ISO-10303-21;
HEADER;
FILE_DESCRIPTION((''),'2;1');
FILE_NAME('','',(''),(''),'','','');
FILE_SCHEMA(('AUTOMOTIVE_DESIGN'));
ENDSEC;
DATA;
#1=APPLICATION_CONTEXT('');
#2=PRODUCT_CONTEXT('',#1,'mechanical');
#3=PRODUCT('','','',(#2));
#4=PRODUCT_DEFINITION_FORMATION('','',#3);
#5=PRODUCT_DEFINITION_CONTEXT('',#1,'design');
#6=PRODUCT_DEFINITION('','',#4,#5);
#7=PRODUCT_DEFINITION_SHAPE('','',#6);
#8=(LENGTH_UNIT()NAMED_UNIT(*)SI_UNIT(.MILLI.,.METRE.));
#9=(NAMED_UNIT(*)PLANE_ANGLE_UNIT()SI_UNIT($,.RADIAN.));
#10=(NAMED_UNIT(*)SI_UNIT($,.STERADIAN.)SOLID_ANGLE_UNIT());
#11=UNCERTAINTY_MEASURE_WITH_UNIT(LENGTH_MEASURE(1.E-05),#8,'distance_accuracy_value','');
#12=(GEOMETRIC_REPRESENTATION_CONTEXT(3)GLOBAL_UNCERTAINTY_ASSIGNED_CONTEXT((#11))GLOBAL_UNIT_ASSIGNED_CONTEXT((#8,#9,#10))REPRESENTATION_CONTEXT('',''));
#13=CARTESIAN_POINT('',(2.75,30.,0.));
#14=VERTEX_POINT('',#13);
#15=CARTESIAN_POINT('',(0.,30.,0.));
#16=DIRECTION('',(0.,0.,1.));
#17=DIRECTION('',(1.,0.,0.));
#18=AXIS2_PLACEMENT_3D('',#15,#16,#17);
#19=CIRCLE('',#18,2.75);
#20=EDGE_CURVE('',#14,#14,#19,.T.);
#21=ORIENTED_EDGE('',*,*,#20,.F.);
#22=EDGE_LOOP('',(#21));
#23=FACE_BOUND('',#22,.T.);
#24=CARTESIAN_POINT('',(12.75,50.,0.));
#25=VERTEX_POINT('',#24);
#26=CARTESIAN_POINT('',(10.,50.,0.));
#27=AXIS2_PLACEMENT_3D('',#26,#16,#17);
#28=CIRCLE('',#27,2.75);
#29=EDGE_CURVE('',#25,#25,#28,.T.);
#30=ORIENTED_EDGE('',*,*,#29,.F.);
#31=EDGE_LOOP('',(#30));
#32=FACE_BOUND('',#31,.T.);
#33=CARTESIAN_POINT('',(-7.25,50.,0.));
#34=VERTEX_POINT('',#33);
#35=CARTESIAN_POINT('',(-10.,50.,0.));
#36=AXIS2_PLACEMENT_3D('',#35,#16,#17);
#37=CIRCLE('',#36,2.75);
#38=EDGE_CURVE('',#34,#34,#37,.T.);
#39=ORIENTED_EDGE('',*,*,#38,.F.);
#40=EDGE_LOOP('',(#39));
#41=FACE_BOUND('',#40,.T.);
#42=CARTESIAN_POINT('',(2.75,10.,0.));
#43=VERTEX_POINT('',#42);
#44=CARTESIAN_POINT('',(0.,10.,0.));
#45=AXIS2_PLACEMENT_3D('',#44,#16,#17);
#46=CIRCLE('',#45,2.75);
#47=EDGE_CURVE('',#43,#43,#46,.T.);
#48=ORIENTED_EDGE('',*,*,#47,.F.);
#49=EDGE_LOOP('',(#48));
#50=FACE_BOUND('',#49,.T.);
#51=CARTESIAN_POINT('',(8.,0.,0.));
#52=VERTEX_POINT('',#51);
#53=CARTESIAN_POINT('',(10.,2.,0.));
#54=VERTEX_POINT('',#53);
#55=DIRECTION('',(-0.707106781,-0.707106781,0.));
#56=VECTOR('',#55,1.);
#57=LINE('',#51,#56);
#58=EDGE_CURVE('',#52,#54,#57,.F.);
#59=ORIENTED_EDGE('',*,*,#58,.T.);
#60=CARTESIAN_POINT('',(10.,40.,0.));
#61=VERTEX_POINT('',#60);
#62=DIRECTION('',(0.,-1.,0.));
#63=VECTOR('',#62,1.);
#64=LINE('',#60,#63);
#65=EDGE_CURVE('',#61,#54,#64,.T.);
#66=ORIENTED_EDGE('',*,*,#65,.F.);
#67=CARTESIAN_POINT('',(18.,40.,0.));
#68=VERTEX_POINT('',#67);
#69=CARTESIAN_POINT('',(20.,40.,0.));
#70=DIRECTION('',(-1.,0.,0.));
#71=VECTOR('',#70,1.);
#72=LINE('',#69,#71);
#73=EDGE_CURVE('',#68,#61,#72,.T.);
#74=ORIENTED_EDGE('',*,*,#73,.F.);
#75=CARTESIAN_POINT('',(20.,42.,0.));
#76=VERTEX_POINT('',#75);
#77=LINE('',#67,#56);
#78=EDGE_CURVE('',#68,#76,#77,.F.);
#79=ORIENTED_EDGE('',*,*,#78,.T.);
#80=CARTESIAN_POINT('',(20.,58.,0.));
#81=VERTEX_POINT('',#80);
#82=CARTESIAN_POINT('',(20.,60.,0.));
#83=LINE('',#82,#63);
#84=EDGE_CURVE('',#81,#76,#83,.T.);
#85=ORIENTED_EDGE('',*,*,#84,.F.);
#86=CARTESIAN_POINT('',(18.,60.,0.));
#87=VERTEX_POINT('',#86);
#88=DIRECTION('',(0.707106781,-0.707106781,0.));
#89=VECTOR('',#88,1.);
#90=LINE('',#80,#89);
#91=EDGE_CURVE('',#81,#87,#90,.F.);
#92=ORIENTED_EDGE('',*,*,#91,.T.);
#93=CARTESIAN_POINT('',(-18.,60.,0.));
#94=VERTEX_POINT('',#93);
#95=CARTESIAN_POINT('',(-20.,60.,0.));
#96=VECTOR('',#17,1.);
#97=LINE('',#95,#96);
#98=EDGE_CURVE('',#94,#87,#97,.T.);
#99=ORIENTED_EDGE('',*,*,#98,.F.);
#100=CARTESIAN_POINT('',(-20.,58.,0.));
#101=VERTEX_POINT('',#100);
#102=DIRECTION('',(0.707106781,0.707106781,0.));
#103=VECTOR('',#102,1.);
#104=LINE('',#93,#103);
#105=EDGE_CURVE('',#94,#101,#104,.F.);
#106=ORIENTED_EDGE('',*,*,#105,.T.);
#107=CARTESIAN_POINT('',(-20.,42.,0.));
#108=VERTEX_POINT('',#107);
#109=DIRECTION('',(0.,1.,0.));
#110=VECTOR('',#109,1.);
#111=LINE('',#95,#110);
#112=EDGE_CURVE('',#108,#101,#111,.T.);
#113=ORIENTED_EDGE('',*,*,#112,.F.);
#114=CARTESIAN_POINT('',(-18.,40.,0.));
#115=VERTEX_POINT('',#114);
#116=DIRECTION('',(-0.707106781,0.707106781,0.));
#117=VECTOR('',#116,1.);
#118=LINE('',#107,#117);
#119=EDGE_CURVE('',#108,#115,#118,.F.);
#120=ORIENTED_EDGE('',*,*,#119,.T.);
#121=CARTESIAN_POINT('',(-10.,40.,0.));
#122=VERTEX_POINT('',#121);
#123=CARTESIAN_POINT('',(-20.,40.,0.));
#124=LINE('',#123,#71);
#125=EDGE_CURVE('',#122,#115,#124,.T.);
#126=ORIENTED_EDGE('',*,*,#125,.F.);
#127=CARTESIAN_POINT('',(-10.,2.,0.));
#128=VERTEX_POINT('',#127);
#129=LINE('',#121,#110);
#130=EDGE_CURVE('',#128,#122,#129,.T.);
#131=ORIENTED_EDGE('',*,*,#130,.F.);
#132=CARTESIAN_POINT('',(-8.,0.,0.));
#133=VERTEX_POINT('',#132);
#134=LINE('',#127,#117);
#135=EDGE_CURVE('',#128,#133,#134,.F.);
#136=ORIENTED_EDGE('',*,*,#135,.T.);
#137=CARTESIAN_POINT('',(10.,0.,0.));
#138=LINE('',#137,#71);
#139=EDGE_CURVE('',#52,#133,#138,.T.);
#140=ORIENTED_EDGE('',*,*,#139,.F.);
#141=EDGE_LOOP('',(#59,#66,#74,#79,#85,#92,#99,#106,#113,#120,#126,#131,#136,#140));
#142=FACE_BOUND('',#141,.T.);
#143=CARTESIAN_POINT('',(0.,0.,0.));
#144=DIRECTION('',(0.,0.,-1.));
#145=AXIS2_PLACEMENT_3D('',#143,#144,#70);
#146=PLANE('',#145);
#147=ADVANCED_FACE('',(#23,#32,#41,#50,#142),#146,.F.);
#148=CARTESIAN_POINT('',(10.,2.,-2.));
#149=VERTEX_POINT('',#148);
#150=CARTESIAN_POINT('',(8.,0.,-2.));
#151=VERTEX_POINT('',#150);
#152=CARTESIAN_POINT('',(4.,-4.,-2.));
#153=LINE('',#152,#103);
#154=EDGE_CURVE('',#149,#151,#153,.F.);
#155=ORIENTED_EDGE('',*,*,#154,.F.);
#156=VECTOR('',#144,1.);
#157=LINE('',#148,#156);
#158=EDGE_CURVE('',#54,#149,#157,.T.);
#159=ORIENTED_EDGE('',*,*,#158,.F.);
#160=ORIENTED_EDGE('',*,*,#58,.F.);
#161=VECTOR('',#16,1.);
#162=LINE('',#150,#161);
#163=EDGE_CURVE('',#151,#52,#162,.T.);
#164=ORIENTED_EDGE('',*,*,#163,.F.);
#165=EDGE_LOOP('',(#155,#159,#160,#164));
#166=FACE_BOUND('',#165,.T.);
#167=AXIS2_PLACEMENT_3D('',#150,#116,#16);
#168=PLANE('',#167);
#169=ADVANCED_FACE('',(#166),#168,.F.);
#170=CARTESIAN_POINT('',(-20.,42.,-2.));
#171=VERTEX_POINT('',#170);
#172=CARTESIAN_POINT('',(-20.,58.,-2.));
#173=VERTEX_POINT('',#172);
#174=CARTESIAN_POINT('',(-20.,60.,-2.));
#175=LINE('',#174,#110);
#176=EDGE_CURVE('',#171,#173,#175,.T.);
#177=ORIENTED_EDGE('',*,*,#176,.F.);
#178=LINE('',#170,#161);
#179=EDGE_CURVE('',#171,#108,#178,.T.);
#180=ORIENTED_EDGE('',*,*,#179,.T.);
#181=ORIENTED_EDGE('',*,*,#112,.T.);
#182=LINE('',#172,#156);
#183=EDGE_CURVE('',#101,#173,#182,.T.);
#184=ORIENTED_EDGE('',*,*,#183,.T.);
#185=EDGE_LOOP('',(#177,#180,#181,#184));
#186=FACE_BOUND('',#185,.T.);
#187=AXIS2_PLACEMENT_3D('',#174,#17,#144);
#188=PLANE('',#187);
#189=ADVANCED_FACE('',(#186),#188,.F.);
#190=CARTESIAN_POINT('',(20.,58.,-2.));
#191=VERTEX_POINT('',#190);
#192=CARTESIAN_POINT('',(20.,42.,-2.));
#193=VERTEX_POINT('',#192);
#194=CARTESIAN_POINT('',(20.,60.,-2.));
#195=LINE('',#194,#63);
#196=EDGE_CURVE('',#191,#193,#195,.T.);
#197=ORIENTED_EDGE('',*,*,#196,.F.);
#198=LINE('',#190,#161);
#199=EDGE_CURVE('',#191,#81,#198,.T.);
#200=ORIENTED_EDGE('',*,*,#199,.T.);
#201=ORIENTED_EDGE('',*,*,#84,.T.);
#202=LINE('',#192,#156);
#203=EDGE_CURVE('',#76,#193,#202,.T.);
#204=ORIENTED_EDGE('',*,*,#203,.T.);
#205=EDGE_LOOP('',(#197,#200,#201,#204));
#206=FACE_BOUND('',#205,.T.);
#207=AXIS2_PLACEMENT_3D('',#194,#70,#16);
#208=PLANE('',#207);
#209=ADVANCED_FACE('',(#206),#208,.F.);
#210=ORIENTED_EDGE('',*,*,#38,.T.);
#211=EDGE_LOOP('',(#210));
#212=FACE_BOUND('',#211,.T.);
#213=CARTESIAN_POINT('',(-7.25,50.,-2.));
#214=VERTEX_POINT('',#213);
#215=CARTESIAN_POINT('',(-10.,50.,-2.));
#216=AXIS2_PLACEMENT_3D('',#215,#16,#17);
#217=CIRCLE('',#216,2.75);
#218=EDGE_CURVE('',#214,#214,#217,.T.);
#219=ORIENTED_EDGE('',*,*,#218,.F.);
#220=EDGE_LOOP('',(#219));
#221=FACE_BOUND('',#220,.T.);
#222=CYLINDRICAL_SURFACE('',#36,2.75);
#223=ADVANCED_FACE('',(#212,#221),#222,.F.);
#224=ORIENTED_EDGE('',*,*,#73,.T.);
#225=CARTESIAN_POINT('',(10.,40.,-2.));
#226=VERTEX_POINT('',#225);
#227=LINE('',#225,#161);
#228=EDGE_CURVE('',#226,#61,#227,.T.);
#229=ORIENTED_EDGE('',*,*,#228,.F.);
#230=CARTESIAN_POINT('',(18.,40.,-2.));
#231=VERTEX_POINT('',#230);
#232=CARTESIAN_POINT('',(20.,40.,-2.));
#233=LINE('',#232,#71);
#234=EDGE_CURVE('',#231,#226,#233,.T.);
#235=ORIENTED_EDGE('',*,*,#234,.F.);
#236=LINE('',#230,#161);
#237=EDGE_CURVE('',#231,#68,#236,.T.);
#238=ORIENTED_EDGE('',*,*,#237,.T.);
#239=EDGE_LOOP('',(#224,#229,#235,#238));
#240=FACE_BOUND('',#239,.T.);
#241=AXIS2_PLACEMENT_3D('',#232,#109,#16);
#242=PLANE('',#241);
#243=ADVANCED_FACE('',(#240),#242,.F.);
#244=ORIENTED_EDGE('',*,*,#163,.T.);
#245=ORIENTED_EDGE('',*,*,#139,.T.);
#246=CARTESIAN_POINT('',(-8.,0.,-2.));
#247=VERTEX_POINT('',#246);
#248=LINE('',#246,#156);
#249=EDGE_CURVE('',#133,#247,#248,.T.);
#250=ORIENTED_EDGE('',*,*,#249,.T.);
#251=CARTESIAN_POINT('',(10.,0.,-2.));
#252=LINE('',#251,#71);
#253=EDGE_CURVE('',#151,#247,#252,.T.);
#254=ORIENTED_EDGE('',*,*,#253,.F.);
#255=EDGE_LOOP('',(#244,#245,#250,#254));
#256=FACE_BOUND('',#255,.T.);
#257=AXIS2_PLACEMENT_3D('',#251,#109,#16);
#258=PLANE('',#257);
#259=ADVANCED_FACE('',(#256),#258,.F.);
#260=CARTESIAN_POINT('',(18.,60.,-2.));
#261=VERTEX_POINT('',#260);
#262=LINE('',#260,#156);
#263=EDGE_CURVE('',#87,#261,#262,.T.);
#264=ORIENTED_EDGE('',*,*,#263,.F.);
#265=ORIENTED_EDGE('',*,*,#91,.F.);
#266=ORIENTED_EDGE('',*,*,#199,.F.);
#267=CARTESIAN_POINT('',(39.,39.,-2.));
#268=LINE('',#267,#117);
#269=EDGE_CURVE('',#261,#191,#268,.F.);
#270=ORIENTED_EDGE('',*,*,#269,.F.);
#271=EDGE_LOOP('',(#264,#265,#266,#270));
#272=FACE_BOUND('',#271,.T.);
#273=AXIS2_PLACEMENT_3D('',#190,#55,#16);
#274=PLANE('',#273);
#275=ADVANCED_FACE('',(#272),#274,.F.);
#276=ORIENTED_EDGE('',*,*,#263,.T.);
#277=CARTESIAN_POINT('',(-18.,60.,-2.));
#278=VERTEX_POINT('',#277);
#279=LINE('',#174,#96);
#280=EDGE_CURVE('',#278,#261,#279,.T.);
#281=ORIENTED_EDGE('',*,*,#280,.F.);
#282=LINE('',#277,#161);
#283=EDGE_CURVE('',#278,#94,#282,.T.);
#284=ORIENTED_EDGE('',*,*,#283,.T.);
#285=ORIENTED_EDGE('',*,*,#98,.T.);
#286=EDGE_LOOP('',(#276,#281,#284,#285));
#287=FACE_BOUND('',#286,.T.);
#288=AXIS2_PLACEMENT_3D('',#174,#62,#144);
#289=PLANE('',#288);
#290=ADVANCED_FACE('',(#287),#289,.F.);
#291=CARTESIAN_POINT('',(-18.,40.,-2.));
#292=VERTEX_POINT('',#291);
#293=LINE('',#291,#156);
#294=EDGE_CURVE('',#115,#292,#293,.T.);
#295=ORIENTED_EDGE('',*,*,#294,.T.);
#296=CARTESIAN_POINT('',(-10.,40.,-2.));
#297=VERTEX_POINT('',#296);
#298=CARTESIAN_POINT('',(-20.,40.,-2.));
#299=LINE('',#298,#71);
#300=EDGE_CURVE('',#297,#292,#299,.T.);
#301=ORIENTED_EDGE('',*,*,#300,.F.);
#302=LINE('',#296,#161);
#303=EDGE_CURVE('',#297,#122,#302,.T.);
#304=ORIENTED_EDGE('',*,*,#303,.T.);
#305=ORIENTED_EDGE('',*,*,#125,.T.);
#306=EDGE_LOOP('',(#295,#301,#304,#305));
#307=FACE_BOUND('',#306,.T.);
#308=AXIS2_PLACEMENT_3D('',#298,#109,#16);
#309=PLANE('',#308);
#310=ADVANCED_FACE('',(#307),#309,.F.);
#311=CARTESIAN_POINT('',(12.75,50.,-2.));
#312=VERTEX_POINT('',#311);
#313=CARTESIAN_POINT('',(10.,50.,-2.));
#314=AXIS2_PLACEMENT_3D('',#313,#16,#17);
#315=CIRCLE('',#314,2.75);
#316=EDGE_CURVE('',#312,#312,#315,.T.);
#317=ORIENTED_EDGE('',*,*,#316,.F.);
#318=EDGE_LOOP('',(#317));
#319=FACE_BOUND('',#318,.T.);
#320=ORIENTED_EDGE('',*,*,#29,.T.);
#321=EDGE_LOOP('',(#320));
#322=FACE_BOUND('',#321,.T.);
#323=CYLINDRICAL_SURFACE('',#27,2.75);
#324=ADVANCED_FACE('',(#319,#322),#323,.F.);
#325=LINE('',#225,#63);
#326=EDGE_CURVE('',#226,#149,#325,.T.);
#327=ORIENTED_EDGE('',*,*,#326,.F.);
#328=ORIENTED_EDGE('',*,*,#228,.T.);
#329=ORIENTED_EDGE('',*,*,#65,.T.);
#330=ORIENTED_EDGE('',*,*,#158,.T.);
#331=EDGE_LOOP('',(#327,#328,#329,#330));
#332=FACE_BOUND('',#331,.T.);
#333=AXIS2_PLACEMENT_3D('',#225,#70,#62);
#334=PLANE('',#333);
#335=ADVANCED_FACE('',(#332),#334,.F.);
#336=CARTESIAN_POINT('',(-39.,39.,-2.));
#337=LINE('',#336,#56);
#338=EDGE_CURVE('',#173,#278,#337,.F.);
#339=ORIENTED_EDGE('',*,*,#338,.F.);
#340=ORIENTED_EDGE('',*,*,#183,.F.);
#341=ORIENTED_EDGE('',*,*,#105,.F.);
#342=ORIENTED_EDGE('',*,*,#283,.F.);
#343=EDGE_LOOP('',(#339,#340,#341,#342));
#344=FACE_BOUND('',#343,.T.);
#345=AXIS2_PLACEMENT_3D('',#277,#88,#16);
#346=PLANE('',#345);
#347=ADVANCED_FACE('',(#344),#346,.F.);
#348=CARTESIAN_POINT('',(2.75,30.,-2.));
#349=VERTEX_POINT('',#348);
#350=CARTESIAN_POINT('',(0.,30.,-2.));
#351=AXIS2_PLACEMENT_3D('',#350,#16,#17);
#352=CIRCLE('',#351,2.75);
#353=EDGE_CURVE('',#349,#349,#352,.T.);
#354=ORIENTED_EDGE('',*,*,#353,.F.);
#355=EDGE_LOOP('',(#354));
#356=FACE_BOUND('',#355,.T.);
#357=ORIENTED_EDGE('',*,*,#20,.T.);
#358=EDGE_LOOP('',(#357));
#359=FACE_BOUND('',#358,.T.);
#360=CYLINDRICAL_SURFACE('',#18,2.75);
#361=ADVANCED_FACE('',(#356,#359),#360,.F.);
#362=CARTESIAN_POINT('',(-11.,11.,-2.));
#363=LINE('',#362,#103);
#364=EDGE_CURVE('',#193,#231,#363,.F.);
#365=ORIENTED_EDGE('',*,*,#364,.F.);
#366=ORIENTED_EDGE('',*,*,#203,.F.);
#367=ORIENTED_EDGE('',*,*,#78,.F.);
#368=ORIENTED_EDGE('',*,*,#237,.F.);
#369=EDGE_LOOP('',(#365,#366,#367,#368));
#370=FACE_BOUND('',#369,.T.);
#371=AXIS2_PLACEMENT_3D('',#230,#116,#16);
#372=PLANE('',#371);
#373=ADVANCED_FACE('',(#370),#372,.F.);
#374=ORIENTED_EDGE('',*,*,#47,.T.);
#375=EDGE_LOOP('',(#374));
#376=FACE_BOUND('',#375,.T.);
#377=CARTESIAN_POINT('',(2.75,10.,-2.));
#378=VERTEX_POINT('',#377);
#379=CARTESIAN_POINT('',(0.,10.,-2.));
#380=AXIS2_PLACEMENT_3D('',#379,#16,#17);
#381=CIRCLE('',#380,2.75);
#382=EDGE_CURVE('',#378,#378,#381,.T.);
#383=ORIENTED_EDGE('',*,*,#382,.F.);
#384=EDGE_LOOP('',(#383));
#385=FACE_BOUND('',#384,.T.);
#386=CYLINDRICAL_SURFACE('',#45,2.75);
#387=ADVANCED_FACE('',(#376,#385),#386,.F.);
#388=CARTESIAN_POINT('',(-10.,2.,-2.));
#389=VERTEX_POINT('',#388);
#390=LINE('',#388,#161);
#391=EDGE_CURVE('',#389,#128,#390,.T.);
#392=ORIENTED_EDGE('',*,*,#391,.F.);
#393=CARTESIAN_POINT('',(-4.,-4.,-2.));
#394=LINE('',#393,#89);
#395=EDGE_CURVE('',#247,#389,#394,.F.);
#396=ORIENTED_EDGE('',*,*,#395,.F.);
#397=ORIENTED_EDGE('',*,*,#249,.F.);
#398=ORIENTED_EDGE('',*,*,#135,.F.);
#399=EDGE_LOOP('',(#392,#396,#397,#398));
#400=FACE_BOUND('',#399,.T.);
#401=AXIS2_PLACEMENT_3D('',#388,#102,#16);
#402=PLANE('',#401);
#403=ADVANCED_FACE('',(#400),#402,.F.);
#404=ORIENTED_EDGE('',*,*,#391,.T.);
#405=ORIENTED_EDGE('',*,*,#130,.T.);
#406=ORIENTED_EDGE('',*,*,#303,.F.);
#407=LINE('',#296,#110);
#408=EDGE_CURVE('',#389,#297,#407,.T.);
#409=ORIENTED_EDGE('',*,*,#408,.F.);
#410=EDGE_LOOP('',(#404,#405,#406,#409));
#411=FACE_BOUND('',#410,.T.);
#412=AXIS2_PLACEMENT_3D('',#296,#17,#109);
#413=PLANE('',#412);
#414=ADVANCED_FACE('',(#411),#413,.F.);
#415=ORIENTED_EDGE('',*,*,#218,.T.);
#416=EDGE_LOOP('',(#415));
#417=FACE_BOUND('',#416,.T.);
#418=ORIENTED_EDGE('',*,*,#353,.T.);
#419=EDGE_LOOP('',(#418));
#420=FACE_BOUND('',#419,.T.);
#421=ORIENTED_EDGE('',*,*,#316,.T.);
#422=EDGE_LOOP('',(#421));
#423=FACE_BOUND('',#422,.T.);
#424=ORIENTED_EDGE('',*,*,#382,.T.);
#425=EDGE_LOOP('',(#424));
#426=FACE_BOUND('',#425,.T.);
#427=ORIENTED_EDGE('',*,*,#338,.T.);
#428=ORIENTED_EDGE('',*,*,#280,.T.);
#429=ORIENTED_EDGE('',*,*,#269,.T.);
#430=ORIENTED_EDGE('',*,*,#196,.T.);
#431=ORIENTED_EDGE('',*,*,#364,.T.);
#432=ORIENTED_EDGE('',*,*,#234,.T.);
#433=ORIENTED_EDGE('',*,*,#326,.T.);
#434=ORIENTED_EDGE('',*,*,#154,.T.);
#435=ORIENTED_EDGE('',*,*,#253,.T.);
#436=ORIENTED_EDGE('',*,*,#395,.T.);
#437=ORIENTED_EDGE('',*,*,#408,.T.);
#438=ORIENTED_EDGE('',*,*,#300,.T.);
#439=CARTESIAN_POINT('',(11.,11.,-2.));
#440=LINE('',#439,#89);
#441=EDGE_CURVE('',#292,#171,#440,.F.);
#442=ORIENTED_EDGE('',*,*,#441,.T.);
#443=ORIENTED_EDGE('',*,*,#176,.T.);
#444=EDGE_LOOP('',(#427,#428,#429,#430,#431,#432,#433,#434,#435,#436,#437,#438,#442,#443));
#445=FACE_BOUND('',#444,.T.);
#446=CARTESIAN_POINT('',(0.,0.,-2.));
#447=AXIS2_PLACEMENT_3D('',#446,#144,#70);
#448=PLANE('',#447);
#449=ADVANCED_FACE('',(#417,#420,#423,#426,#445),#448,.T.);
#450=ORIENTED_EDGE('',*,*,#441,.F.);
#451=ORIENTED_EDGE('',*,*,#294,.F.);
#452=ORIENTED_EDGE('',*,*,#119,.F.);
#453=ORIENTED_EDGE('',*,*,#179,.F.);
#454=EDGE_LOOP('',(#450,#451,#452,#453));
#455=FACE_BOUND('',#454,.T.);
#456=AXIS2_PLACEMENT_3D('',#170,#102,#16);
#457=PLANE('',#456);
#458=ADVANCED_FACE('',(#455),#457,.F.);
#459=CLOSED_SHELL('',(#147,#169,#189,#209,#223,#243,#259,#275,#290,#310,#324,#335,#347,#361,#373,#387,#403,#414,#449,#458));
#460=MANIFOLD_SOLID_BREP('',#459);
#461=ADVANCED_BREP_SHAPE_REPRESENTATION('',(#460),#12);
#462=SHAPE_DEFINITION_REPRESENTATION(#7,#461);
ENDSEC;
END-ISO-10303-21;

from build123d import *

# Parameters (mm, degrees)
EXTRUDE_1_DEPTH   = 2
CHAMFER_1_SIZE    = 2
HOLE_WIZARD_M51_D = 5.5


with BuildPart() as part:
    # Эскиз1 → Бобышка-Вытянуть1 (new body)
    with BuildSketch(Plane(origin=(0, 0, 0), x_dir=(1, 0, 0), z_dir=(0, 0, -1))):
        Polygon((10, 0), (-10, 0), (-10, -40), (-20, -40), (-20, -60), (20, -60), (20, -40), (10, -40), align=None)
    extrude(amount=EXTRUDE_1_DEPTH)

    # Фаска1
    chamfer_1_edges = [part.edges().sort_by_distance(p)[0] for p in [
        (-10, 0, -1),
        (10, 0, -1),
        (20, 40, -1),
        (20, 60, -1),
        (-20, 60, -1),
        (-20, 40, -1),
    ]]
    chamfer(chamfer_1_edges, length=CHAMFER_1_SIZE)

    # Отверстие с зазором M51 (through all)
    with Locations(Plane.XY):
        with Locations((-10, 50), (10, 50), (0, 30), (0, 10)):
            Hole(HOLE_WIZARD_M51_D / 2)


solid = part.part
